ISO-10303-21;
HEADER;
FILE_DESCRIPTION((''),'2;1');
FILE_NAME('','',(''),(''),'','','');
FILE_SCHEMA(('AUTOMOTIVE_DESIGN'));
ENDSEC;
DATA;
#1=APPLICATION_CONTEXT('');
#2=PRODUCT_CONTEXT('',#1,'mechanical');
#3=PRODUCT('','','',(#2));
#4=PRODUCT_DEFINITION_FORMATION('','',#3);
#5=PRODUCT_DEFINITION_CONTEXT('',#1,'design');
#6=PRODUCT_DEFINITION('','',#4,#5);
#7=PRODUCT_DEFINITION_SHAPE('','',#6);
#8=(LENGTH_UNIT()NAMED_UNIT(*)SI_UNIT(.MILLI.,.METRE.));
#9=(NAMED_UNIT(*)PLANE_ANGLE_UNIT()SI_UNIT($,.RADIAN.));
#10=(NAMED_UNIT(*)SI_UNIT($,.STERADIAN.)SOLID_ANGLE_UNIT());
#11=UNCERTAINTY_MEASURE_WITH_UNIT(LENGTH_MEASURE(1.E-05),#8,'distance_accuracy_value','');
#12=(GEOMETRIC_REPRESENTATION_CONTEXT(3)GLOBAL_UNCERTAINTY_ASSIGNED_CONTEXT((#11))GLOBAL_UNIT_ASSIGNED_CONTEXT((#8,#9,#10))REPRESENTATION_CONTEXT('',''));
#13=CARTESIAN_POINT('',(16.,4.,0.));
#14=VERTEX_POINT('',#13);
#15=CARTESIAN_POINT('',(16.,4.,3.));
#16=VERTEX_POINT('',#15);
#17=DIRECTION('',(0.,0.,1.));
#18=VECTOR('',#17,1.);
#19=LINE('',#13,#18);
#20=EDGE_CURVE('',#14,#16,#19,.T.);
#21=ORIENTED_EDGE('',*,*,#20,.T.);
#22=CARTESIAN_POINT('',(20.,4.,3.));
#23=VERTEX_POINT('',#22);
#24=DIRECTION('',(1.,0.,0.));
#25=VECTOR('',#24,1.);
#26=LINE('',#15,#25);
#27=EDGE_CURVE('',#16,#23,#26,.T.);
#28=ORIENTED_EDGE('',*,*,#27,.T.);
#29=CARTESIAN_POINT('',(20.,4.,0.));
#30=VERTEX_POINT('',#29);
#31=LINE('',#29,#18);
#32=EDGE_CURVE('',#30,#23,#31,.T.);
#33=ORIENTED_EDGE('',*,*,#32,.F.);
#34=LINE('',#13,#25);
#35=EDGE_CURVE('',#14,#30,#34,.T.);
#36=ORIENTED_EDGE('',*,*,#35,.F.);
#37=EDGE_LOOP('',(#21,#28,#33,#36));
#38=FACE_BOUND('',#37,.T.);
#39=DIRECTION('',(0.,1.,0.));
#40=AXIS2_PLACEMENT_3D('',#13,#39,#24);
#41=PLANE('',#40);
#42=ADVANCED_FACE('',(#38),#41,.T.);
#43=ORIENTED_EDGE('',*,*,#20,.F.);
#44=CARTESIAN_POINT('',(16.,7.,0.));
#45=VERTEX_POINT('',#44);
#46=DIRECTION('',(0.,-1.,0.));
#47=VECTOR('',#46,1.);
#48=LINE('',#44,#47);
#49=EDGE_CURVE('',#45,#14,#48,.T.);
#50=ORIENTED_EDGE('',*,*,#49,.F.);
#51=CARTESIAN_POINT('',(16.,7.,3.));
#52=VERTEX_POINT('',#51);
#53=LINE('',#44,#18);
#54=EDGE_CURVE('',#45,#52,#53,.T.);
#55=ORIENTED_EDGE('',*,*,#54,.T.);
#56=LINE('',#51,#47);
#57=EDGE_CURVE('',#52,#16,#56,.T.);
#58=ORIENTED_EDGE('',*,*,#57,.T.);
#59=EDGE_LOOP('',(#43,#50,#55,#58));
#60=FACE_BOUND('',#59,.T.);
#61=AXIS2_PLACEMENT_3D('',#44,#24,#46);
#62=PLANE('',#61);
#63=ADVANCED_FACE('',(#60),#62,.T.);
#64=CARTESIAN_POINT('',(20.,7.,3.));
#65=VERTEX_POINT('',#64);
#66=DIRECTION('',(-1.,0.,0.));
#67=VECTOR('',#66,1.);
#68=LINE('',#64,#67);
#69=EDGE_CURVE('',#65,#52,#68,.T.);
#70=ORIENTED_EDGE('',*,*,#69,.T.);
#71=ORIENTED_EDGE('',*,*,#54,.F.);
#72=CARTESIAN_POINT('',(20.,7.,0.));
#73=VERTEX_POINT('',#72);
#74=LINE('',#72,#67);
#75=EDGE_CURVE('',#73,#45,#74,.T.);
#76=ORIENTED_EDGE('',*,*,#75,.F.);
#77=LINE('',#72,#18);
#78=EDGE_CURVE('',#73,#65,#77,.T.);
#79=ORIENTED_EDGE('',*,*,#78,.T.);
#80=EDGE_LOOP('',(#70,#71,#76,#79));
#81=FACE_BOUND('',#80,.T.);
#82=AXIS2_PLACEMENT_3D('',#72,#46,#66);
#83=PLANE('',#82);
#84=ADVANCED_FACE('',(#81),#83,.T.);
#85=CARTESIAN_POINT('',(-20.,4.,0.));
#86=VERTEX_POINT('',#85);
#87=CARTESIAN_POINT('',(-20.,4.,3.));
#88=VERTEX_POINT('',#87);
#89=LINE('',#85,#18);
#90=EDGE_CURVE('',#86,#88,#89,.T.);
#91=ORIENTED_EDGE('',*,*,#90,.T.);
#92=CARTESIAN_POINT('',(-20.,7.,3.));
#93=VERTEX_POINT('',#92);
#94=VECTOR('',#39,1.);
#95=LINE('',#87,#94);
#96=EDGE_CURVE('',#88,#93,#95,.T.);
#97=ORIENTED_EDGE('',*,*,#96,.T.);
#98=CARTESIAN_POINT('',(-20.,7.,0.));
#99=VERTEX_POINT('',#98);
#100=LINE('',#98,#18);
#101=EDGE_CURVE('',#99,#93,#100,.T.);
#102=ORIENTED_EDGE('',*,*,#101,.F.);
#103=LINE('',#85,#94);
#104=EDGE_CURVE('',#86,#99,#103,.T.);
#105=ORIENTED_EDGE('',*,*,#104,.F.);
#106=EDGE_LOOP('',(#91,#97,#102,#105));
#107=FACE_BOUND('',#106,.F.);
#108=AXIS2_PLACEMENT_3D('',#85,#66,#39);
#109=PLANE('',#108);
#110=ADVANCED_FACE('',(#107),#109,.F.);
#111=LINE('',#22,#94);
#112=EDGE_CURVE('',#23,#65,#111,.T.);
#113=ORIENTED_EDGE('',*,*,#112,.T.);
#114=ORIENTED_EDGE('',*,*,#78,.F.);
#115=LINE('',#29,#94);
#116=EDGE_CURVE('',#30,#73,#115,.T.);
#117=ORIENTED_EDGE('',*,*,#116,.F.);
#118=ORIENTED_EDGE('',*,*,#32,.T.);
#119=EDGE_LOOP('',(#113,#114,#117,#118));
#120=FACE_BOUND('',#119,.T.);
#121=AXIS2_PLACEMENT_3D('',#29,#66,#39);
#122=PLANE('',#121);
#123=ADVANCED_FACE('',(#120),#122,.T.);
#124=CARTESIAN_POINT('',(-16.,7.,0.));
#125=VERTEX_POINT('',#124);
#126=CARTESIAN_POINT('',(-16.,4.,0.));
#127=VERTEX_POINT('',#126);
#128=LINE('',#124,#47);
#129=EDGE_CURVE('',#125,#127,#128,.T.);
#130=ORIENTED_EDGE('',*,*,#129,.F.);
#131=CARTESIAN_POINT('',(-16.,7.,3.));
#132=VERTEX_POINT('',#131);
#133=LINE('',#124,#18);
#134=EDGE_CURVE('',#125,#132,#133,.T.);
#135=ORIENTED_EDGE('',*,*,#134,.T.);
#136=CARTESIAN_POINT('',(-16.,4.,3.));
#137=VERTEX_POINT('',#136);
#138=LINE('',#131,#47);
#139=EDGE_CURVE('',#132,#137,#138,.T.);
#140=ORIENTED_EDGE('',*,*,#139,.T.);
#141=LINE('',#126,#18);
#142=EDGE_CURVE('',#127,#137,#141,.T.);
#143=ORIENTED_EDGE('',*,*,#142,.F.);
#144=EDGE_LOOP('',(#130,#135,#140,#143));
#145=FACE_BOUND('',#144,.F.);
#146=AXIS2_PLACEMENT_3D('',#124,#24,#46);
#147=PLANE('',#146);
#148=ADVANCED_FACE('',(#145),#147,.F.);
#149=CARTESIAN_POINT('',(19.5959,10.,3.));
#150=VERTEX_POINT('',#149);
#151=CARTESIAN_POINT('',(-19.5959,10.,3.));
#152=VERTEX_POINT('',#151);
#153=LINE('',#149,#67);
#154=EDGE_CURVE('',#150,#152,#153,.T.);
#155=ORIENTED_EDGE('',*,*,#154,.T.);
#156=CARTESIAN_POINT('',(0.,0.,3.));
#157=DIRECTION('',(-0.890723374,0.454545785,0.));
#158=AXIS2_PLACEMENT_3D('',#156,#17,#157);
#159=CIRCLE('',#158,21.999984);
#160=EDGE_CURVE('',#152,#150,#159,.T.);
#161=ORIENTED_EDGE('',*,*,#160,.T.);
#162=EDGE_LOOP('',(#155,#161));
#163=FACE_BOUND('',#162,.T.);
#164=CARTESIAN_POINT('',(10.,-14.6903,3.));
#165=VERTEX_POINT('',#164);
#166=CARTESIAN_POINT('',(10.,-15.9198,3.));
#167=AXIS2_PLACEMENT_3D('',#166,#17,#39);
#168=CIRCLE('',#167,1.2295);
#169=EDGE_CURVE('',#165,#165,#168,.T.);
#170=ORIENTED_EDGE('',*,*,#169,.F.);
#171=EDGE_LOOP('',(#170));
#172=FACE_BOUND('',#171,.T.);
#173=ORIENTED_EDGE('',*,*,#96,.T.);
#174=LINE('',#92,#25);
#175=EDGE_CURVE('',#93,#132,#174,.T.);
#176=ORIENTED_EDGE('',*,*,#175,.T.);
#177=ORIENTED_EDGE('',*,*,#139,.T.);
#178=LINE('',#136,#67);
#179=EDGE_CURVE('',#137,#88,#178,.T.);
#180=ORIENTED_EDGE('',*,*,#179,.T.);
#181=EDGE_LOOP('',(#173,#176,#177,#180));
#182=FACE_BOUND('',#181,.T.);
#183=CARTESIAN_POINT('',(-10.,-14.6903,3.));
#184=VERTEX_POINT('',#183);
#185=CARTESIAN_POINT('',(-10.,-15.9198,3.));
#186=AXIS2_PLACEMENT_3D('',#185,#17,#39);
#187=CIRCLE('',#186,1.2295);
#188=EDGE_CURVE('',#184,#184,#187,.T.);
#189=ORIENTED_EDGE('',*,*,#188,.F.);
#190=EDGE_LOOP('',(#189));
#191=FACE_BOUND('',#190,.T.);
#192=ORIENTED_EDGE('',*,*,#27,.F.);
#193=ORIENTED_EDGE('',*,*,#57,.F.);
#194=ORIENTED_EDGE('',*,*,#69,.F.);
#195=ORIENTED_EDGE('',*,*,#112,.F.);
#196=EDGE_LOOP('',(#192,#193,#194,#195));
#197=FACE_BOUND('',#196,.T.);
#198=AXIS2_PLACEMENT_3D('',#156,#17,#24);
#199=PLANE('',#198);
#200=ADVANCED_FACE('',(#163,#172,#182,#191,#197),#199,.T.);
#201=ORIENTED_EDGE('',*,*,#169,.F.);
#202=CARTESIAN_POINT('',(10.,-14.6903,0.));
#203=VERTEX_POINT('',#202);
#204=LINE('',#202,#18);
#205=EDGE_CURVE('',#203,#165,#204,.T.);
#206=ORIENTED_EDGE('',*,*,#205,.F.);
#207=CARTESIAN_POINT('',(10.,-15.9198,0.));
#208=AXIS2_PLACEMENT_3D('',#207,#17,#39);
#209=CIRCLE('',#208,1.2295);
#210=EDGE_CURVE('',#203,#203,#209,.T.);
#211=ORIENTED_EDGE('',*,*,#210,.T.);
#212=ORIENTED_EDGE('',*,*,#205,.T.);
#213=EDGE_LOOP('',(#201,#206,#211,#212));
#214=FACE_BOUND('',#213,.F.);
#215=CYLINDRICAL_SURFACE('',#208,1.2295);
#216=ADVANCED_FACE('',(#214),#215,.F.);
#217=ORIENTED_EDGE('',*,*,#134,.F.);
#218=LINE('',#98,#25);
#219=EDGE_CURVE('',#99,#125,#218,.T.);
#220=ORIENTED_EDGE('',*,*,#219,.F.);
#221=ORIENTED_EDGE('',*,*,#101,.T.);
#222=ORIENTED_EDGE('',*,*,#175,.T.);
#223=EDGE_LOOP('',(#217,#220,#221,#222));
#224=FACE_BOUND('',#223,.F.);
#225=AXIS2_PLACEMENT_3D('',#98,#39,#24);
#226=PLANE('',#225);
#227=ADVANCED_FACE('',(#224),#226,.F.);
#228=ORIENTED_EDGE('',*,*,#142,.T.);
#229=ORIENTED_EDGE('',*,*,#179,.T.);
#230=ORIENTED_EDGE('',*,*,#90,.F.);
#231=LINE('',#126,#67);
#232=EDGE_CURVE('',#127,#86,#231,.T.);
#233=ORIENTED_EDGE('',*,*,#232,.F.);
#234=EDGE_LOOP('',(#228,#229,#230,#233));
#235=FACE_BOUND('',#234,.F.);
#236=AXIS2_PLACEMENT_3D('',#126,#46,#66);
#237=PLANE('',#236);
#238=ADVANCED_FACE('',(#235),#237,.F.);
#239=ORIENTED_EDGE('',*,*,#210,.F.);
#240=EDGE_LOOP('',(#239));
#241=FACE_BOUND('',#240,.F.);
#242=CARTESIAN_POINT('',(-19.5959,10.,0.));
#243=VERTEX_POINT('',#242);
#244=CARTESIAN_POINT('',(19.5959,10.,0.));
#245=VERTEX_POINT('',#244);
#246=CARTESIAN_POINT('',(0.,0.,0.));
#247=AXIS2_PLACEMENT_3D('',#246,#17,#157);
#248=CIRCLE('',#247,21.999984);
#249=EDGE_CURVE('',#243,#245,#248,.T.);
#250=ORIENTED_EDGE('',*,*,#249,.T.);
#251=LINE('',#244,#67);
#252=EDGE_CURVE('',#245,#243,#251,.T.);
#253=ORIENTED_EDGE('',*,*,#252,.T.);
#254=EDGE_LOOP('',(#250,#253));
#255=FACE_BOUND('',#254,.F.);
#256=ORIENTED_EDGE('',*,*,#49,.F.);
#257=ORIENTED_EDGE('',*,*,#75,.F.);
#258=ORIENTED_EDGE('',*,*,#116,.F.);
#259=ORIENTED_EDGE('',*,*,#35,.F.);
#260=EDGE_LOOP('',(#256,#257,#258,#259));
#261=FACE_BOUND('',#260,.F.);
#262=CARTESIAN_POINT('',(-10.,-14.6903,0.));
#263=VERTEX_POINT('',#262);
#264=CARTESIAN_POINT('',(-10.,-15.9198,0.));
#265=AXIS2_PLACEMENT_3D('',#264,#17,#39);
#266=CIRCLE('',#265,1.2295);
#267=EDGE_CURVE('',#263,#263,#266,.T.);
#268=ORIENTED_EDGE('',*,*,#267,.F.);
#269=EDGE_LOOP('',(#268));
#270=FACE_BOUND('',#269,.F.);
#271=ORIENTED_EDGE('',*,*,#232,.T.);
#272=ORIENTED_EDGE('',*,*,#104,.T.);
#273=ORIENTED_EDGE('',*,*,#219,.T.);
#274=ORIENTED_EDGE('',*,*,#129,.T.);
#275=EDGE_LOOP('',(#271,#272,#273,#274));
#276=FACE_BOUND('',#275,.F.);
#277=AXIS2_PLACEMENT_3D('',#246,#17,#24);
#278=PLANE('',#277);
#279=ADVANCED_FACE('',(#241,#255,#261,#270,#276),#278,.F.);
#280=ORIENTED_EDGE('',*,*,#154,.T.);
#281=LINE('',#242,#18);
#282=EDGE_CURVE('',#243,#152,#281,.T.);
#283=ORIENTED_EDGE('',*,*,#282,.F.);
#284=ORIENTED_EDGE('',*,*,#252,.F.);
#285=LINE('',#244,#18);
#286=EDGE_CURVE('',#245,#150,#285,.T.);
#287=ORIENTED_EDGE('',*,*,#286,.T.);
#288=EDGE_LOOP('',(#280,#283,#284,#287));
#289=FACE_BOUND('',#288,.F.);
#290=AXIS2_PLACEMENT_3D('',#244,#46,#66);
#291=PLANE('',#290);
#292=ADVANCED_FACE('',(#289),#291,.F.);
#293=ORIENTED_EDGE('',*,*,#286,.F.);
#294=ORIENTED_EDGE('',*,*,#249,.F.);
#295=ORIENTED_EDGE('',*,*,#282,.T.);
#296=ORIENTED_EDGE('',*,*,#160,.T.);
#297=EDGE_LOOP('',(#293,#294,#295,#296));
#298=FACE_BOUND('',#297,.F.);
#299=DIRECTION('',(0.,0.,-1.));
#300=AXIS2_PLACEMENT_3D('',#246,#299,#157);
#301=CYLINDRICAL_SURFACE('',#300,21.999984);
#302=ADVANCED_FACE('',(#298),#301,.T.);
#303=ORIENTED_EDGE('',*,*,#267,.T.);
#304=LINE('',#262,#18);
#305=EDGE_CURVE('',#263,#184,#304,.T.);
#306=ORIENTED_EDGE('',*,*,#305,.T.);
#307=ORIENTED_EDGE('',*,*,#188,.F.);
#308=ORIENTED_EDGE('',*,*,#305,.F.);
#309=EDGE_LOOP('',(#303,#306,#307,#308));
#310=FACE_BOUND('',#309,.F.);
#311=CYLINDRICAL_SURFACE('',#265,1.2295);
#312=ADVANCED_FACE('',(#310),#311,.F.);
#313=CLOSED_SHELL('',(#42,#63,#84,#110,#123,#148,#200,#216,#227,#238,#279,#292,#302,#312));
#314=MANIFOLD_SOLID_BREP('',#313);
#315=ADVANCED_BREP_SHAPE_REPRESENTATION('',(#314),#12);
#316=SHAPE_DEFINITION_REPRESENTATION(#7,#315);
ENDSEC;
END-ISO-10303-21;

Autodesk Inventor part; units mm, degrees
ref_plane "Plan YZ" through (0, 0, 0) normal (1, 0, 0) x (0, 1, 0)
ref_plane "Plan XZ" through (0, 0, 0) normal (0, 1, 0) x (-1, 0, 0)
ref_plane "Plan XY" through (0, 0, 0) normal (0, 0, 1) x (1, 0, 0)
sketch "Esquisse1" plane through (0, 0, 0) normal (0, 0, 1) x (1, 0, 0)
  line L0 (19.5959, 10) -> (-19.5959, 10)
  line L1 (19.5959, 10) -> (-19.5959, 10) construction
  line L2 (-20, 7) -> (-16, 7)
  line L3 (-16, 7) -> (-16, 4)
  line L4 (-16, 4) -> (-20, 4)
  line L5 (-20, 4) -> (-20, 7)
  line L6 (20, 7) -> (16, 7)
  line L7 (16, 7) -> (16, 4)
  line L8 (16, 4) -> (20, 4)
  line L9 (20, 4) -> (20, 7)
  line L10 (0, -28.4) -> (0, 16.4) construction
  line L11 (-30.8, 0) -> (30.8, 0) construction
  arc A0 (-19.5959, 10) -> (19.5959, 10) centre (0, 0) ccw
  dimension "d61" = 4
  dimension "d63" = 3
  dimension "d68" = 4
  dimension "d69" = 16
  dimension "d70" = 10
  dimension "d89" = 22
extrude "Extrusion5" add sketch "Esquisse1" along normal blind 3
sketch "Esquisse13" plane through (0, 0, 0) normal (0, 0, -1) x (-1, 0, 0)
  line L0 (30.8, 0) -> (-30.8, 0) construction
  line L1 (0, -28.4) -> (0, 16.4) construction
  arc A0 (-18.8, 0) -> (18.8, 0) centre (0, 0) ccw construction
  point P0 (-10, -15.9198)
  point P1 (10, -15.9198)
  dimension "d79" = 20
  dimension "d87" = 18.8
hole "Perçage4" at (10, -15.9198, 0) at (-10, -15.9198, 0) direction (0, 0, 1) diameter 2.459 end through all thread size "M3x0.5" class "6H" standard "ISO M"
properties part number "S1702_couverclebas" material "Plastique PMMA"
